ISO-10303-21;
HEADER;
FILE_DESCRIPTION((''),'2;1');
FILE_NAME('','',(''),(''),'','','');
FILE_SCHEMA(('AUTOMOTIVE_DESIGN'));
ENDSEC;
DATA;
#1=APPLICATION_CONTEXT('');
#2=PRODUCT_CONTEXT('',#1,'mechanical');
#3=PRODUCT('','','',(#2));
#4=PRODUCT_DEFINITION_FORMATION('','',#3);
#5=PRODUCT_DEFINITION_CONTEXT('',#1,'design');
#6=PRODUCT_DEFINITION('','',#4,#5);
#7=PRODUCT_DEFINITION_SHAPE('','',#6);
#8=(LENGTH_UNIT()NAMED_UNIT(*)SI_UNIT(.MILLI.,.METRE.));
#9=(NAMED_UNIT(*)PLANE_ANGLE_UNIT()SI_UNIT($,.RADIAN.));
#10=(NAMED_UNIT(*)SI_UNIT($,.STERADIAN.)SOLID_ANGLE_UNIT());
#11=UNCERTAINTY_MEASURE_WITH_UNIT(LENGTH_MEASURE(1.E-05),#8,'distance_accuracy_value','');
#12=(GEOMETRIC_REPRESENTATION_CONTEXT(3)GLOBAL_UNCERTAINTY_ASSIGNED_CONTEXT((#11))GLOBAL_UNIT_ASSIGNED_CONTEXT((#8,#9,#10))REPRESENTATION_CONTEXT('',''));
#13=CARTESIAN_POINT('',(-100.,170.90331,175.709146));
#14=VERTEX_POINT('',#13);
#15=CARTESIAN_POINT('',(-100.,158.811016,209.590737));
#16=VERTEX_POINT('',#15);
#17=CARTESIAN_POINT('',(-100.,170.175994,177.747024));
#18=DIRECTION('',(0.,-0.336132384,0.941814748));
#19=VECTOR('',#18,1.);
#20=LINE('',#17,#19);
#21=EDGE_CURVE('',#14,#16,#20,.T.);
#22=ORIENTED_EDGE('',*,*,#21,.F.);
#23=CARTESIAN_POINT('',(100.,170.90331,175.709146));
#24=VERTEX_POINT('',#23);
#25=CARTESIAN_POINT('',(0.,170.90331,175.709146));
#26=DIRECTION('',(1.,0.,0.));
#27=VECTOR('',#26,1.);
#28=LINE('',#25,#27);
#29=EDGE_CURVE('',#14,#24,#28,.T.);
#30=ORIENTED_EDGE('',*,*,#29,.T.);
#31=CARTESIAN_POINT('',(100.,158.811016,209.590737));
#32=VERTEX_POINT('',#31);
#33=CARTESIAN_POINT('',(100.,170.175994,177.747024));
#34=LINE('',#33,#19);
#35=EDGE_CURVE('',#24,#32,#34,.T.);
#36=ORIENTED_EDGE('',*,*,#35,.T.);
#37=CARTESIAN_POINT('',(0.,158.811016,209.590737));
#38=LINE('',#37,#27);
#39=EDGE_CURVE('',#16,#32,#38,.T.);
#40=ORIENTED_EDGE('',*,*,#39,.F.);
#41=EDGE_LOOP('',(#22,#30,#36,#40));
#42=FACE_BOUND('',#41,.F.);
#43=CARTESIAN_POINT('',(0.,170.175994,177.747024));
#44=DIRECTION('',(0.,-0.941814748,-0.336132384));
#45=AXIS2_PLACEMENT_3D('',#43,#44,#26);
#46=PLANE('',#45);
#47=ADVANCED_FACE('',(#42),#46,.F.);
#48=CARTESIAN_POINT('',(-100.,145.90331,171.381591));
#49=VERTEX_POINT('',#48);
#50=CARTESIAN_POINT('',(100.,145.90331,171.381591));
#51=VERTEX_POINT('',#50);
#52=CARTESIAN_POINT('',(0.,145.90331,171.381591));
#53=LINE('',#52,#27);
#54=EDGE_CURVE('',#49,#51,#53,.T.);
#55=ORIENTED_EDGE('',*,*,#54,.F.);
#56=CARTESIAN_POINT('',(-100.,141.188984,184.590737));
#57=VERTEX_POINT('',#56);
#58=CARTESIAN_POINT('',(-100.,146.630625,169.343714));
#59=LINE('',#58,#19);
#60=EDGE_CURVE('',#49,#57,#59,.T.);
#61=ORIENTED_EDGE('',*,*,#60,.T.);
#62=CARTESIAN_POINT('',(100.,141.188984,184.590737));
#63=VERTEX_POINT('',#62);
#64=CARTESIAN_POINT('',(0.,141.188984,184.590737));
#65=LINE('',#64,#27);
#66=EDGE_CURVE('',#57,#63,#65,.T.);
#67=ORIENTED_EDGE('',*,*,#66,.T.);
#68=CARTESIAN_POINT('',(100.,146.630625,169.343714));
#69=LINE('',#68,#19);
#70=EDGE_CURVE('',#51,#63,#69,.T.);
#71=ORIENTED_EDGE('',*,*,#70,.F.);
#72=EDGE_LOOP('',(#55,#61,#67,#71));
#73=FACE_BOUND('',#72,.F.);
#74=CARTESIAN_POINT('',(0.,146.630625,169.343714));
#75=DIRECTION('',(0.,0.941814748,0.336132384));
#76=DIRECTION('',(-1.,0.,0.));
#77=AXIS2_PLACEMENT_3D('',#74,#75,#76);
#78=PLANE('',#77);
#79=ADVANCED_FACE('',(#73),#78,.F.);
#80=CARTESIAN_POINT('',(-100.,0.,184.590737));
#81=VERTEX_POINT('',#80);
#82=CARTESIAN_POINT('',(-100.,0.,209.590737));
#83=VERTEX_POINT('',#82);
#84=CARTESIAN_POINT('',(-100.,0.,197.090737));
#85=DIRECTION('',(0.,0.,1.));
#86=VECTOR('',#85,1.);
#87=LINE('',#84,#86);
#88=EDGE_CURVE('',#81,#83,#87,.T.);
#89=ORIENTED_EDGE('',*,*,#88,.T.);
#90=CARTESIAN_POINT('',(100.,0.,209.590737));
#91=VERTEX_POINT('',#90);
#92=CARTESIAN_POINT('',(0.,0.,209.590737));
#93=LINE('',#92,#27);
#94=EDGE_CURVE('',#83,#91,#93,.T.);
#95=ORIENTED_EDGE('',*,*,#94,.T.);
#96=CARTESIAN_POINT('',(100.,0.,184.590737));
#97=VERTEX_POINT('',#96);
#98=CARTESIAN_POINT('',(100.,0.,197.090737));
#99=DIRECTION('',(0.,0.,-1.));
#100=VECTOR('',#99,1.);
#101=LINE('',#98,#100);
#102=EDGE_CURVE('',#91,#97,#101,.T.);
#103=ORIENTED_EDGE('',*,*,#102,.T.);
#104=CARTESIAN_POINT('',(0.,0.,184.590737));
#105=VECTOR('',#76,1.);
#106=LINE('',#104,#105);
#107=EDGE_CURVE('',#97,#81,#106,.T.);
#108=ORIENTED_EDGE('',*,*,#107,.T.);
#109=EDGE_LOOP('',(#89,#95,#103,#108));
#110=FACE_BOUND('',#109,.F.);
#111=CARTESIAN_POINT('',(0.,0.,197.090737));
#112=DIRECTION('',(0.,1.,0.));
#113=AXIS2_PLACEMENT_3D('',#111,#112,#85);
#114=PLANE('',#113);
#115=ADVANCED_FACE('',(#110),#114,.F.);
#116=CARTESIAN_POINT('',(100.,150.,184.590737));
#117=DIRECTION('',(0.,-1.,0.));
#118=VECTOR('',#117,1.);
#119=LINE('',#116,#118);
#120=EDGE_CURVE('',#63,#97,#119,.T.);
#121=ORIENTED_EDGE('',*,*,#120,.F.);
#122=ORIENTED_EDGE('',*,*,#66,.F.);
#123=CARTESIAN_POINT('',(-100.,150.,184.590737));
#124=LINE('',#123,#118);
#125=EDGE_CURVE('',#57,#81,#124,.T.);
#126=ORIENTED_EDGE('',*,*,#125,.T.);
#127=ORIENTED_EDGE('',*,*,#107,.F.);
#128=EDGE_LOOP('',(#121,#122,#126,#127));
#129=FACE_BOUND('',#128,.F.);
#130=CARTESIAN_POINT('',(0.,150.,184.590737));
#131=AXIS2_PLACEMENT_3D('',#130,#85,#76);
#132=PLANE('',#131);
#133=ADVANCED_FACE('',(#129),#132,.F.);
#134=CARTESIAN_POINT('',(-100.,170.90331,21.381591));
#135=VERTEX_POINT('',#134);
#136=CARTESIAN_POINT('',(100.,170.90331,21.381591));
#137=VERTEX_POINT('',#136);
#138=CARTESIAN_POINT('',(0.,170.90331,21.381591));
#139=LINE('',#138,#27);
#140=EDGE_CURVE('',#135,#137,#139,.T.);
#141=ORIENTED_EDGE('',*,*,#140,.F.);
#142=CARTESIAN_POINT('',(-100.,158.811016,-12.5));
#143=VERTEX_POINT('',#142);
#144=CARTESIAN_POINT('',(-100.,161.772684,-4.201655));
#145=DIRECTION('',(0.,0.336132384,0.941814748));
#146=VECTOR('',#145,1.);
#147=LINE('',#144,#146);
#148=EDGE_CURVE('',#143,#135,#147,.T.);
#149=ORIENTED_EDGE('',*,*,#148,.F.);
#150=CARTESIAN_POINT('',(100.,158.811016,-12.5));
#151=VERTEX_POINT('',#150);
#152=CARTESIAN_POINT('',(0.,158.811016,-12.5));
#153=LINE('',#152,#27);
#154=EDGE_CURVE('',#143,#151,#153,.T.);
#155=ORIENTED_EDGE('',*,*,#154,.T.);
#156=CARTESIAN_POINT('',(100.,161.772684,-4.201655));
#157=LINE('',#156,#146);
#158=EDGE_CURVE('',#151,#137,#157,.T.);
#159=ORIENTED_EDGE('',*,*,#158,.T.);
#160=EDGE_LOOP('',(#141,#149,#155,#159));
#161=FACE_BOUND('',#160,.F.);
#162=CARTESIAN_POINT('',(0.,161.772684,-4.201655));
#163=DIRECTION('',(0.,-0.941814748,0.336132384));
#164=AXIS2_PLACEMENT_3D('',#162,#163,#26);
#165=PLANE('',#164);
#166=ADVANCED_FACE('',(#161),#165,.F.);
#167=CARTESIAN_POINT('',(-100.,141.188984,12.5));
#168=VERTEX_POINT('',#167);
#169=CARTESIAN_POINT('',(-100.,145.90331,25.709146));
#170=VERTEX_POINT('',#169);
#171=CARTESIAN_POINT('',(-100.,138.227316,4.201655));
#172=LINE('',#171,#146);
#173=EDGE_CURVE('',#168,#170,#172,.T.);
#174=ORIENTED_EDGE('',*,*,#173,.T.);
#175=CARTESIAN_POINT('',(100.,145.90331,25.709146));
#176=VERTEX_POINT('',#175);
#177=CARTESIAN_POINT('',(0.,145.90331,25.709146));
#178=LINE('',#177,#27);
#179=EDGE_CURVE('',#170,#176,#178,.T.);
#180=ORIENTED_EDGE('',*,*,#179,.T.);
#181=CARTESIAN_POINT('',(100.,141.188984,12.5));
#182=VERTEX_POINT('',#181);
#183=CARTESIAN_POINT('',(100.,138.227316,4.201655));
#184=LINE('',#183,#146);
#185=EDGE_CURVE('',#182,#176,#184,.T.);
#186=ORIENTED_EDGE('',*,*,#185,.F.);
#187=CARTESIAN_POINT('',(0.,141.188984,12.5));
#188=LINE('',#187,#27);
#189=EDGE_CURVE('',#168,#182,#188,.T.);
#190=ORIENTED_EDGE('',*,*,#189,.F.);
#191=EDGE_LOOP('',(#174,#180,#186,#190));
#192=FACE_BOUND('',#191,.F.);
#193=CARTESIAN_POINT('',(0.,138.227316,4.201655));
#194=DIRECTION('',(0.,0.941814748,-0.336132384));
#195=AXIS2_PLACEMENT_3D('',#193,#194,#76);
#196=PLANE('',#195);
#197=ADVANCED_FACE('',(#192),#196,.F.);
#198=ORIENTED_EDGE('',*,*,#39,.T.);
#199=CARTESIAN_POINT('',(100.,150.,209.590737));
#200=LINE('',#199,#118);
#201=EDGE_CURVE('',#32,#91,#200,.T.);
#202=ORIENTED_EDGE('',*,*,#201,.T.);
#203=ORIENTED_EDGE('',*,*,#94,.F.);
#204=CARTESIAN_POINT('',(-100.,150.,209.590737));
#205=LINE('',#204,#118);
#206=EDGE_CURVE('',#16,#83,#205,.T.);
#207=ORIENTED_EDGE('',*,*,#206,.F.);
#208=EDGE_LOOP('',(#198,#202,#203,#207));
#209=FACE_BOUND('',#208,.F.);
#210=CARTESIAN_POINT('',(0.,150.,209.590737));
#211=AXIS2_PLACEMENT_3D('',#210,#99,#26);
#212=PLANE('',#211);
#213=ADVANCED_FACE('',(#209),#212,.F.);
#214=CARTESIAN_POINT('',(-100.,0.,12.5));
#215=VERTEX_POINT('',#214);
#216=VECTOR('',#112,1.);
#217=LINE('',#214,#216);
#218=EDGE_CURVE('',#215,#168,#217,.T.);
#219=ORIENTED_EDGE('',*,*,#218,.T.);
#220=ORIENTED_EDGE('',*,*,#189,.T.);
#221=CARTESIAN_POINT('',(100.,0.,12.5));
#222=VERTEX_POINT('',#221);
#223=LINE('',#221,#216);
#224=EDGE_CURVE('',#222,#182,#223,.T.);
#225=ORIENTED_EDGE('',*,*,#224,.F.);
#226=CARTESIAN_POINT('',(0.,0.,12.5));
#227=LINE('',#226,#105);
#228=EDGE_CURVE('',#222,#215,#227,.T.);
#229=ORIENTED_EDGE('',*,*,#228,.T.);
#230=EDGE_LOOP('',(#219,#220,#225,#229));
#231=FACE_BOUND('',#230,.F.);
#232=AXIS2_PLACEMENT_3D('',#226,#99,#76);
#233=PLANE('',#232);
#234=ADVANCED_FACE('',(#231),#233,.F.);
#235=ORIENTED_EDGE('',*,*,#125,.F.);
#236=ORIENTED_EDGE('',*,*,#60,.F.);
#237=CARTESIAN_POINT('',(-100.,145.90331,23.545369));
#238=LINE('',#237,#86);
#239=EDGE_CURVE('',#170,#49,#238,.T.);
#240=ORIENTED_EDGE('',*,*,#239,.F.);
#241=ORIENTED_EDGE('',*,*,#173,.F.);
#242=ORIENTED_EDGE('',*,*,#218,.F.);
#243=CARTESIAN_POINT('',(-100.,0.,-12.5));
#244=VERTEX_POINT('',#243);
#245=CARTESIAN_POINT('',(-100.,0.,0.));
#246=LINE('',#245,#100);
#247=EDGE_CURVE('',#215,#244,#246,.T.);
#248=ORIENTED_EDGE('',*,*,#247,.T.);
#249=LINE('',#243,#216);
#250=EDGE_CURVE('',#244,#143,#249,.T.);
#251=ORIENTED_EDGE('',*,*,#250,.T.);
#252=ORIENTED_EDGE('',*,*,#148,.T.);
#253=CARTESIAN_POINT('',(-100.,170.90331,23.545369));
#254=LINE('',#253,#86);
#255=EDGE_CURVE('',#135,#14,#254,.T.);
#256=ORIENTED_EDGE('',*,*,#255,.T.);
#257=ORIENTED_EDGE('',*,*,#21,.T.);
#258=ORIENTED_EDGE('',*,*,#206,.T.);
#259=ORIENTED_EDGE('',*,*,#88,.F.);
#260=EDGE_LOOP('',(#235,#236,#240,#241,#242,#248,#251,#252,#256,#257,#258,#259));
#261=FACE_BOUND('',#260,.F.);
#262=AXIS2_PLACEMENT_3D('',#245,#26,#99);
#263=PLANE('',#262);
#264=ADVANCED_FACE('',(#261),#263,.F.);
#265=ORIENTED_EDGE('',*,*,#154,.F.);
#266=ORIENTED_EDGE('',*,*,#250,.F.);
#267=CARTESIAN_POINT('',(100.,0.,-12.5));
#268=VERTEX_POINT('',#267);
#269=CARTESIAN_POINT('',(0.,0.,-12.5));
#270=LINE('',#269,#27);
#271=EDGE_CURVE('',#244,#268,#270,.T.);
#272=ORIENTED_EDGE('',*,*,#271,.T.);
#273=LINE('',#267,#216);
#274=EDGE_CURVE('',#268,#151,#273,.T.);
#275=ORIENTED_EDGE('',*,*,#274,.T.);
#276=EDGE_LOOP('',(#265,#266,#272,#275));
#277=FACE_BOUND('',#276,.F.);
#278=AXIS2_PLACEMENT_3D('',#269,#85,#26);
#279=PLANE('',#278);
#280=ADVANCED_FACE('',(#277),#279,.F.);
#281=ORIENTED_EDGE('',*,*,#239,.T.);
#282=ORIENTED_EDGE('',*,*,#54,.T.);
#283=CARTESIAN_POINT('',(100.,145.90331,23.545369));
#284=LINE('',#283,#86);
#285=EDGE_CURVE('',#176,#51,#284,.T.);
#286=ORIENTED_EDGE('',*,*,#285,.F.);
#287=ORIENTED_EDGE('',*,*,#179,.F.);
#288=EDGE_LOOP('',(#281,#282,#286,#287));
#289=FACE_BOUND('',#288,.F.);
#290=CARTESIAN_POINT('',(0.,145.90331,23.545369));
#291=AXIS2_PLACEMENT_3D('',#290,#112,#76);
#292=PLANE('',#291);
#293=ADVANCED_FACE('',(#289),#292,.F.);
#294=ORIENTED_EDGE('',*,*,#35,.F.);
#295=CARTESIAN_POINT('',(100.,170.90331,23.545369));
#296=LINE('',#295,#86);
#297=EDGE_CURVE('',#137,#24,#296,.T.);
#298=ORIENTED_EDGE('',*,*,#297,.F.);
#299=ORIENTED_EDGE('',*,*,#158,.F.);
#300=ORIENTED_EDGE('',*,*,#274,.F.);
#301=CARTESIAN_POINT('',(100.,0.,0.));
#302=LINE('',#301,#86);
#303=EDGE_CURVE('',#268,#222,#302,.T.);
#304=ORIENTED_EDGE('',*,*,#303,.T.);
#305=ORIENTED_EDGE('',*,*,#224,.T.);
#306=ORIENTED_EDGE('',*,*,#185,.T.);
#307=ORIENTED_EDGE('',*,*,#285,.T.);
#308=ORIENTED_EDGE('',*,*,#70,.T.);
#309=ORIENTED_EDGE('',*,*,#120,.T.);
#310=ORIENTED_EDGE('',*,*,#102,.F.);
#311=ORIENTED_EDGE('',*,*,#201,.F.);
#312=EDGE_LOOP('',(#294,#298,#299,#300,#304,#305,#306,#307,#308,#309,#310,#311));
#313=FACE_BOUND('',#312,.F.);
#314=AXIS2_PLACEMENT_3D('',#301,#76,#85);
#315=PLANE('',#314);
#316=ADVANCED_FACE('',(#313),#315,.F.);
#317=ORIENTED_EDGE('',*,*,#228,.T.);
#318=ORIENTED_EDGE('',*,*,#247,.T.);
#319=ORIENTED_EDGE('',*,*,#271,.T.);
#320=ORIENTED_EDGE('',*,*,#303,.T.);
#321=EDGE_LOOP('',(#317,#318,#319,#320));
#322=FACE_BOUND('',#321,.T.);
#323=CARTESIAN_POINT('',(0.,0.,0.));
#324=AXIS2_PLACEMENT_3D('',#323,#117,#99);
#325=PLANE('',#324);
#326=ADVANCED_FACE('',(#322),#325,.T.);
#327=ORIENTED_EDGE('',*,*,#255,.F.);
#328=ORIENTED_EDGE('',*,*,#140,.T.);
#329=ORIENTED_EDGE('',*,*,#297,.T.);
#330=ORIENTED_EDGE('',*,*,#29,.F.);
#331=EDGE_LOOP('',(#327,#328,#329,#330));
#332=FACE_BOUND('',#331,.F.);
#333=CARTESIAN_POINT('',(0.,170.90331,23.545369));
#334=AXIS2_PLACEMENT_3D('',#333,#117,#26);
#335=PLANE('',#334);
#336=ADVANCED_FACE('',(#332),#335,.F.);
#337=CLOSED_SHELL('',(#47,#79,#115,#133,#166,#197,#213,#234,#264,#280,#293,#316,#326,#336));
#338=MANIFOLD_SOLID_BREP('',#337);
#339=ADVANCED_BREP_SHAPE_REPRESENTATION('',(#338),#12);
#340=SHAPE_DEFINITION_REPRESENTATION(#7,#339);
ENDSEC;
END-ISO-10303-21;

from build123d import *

# Parameters (mm, degrees)
F0_W = 200
F0_H = 25


with BuildPart() as f2:
    # F2: sweep along a path in F1
    with BuildLine(Plane.YZ) as f2_path:
        Line((0, 0), (150, 0))
        Line((150, 0), (158.4033096068, 23.5453687092))
        Line((158.4033096068, 23.5453687092), (158.4033096068, 173.5453687092))
        Line((158.4033096068, 173.5453687092), (150, 197.0907374184))
        Line((150, 197.0907374184), (0, 197.0907374184))
    # F0 (on Front) → F2 (sweep)
    with BuildSketch(Plane.XZ):
        Rectangle(F0_W, F0_H)
    sweep(path=f2_path.line, transition=Transition.RIGHT)


solid = f2.part
